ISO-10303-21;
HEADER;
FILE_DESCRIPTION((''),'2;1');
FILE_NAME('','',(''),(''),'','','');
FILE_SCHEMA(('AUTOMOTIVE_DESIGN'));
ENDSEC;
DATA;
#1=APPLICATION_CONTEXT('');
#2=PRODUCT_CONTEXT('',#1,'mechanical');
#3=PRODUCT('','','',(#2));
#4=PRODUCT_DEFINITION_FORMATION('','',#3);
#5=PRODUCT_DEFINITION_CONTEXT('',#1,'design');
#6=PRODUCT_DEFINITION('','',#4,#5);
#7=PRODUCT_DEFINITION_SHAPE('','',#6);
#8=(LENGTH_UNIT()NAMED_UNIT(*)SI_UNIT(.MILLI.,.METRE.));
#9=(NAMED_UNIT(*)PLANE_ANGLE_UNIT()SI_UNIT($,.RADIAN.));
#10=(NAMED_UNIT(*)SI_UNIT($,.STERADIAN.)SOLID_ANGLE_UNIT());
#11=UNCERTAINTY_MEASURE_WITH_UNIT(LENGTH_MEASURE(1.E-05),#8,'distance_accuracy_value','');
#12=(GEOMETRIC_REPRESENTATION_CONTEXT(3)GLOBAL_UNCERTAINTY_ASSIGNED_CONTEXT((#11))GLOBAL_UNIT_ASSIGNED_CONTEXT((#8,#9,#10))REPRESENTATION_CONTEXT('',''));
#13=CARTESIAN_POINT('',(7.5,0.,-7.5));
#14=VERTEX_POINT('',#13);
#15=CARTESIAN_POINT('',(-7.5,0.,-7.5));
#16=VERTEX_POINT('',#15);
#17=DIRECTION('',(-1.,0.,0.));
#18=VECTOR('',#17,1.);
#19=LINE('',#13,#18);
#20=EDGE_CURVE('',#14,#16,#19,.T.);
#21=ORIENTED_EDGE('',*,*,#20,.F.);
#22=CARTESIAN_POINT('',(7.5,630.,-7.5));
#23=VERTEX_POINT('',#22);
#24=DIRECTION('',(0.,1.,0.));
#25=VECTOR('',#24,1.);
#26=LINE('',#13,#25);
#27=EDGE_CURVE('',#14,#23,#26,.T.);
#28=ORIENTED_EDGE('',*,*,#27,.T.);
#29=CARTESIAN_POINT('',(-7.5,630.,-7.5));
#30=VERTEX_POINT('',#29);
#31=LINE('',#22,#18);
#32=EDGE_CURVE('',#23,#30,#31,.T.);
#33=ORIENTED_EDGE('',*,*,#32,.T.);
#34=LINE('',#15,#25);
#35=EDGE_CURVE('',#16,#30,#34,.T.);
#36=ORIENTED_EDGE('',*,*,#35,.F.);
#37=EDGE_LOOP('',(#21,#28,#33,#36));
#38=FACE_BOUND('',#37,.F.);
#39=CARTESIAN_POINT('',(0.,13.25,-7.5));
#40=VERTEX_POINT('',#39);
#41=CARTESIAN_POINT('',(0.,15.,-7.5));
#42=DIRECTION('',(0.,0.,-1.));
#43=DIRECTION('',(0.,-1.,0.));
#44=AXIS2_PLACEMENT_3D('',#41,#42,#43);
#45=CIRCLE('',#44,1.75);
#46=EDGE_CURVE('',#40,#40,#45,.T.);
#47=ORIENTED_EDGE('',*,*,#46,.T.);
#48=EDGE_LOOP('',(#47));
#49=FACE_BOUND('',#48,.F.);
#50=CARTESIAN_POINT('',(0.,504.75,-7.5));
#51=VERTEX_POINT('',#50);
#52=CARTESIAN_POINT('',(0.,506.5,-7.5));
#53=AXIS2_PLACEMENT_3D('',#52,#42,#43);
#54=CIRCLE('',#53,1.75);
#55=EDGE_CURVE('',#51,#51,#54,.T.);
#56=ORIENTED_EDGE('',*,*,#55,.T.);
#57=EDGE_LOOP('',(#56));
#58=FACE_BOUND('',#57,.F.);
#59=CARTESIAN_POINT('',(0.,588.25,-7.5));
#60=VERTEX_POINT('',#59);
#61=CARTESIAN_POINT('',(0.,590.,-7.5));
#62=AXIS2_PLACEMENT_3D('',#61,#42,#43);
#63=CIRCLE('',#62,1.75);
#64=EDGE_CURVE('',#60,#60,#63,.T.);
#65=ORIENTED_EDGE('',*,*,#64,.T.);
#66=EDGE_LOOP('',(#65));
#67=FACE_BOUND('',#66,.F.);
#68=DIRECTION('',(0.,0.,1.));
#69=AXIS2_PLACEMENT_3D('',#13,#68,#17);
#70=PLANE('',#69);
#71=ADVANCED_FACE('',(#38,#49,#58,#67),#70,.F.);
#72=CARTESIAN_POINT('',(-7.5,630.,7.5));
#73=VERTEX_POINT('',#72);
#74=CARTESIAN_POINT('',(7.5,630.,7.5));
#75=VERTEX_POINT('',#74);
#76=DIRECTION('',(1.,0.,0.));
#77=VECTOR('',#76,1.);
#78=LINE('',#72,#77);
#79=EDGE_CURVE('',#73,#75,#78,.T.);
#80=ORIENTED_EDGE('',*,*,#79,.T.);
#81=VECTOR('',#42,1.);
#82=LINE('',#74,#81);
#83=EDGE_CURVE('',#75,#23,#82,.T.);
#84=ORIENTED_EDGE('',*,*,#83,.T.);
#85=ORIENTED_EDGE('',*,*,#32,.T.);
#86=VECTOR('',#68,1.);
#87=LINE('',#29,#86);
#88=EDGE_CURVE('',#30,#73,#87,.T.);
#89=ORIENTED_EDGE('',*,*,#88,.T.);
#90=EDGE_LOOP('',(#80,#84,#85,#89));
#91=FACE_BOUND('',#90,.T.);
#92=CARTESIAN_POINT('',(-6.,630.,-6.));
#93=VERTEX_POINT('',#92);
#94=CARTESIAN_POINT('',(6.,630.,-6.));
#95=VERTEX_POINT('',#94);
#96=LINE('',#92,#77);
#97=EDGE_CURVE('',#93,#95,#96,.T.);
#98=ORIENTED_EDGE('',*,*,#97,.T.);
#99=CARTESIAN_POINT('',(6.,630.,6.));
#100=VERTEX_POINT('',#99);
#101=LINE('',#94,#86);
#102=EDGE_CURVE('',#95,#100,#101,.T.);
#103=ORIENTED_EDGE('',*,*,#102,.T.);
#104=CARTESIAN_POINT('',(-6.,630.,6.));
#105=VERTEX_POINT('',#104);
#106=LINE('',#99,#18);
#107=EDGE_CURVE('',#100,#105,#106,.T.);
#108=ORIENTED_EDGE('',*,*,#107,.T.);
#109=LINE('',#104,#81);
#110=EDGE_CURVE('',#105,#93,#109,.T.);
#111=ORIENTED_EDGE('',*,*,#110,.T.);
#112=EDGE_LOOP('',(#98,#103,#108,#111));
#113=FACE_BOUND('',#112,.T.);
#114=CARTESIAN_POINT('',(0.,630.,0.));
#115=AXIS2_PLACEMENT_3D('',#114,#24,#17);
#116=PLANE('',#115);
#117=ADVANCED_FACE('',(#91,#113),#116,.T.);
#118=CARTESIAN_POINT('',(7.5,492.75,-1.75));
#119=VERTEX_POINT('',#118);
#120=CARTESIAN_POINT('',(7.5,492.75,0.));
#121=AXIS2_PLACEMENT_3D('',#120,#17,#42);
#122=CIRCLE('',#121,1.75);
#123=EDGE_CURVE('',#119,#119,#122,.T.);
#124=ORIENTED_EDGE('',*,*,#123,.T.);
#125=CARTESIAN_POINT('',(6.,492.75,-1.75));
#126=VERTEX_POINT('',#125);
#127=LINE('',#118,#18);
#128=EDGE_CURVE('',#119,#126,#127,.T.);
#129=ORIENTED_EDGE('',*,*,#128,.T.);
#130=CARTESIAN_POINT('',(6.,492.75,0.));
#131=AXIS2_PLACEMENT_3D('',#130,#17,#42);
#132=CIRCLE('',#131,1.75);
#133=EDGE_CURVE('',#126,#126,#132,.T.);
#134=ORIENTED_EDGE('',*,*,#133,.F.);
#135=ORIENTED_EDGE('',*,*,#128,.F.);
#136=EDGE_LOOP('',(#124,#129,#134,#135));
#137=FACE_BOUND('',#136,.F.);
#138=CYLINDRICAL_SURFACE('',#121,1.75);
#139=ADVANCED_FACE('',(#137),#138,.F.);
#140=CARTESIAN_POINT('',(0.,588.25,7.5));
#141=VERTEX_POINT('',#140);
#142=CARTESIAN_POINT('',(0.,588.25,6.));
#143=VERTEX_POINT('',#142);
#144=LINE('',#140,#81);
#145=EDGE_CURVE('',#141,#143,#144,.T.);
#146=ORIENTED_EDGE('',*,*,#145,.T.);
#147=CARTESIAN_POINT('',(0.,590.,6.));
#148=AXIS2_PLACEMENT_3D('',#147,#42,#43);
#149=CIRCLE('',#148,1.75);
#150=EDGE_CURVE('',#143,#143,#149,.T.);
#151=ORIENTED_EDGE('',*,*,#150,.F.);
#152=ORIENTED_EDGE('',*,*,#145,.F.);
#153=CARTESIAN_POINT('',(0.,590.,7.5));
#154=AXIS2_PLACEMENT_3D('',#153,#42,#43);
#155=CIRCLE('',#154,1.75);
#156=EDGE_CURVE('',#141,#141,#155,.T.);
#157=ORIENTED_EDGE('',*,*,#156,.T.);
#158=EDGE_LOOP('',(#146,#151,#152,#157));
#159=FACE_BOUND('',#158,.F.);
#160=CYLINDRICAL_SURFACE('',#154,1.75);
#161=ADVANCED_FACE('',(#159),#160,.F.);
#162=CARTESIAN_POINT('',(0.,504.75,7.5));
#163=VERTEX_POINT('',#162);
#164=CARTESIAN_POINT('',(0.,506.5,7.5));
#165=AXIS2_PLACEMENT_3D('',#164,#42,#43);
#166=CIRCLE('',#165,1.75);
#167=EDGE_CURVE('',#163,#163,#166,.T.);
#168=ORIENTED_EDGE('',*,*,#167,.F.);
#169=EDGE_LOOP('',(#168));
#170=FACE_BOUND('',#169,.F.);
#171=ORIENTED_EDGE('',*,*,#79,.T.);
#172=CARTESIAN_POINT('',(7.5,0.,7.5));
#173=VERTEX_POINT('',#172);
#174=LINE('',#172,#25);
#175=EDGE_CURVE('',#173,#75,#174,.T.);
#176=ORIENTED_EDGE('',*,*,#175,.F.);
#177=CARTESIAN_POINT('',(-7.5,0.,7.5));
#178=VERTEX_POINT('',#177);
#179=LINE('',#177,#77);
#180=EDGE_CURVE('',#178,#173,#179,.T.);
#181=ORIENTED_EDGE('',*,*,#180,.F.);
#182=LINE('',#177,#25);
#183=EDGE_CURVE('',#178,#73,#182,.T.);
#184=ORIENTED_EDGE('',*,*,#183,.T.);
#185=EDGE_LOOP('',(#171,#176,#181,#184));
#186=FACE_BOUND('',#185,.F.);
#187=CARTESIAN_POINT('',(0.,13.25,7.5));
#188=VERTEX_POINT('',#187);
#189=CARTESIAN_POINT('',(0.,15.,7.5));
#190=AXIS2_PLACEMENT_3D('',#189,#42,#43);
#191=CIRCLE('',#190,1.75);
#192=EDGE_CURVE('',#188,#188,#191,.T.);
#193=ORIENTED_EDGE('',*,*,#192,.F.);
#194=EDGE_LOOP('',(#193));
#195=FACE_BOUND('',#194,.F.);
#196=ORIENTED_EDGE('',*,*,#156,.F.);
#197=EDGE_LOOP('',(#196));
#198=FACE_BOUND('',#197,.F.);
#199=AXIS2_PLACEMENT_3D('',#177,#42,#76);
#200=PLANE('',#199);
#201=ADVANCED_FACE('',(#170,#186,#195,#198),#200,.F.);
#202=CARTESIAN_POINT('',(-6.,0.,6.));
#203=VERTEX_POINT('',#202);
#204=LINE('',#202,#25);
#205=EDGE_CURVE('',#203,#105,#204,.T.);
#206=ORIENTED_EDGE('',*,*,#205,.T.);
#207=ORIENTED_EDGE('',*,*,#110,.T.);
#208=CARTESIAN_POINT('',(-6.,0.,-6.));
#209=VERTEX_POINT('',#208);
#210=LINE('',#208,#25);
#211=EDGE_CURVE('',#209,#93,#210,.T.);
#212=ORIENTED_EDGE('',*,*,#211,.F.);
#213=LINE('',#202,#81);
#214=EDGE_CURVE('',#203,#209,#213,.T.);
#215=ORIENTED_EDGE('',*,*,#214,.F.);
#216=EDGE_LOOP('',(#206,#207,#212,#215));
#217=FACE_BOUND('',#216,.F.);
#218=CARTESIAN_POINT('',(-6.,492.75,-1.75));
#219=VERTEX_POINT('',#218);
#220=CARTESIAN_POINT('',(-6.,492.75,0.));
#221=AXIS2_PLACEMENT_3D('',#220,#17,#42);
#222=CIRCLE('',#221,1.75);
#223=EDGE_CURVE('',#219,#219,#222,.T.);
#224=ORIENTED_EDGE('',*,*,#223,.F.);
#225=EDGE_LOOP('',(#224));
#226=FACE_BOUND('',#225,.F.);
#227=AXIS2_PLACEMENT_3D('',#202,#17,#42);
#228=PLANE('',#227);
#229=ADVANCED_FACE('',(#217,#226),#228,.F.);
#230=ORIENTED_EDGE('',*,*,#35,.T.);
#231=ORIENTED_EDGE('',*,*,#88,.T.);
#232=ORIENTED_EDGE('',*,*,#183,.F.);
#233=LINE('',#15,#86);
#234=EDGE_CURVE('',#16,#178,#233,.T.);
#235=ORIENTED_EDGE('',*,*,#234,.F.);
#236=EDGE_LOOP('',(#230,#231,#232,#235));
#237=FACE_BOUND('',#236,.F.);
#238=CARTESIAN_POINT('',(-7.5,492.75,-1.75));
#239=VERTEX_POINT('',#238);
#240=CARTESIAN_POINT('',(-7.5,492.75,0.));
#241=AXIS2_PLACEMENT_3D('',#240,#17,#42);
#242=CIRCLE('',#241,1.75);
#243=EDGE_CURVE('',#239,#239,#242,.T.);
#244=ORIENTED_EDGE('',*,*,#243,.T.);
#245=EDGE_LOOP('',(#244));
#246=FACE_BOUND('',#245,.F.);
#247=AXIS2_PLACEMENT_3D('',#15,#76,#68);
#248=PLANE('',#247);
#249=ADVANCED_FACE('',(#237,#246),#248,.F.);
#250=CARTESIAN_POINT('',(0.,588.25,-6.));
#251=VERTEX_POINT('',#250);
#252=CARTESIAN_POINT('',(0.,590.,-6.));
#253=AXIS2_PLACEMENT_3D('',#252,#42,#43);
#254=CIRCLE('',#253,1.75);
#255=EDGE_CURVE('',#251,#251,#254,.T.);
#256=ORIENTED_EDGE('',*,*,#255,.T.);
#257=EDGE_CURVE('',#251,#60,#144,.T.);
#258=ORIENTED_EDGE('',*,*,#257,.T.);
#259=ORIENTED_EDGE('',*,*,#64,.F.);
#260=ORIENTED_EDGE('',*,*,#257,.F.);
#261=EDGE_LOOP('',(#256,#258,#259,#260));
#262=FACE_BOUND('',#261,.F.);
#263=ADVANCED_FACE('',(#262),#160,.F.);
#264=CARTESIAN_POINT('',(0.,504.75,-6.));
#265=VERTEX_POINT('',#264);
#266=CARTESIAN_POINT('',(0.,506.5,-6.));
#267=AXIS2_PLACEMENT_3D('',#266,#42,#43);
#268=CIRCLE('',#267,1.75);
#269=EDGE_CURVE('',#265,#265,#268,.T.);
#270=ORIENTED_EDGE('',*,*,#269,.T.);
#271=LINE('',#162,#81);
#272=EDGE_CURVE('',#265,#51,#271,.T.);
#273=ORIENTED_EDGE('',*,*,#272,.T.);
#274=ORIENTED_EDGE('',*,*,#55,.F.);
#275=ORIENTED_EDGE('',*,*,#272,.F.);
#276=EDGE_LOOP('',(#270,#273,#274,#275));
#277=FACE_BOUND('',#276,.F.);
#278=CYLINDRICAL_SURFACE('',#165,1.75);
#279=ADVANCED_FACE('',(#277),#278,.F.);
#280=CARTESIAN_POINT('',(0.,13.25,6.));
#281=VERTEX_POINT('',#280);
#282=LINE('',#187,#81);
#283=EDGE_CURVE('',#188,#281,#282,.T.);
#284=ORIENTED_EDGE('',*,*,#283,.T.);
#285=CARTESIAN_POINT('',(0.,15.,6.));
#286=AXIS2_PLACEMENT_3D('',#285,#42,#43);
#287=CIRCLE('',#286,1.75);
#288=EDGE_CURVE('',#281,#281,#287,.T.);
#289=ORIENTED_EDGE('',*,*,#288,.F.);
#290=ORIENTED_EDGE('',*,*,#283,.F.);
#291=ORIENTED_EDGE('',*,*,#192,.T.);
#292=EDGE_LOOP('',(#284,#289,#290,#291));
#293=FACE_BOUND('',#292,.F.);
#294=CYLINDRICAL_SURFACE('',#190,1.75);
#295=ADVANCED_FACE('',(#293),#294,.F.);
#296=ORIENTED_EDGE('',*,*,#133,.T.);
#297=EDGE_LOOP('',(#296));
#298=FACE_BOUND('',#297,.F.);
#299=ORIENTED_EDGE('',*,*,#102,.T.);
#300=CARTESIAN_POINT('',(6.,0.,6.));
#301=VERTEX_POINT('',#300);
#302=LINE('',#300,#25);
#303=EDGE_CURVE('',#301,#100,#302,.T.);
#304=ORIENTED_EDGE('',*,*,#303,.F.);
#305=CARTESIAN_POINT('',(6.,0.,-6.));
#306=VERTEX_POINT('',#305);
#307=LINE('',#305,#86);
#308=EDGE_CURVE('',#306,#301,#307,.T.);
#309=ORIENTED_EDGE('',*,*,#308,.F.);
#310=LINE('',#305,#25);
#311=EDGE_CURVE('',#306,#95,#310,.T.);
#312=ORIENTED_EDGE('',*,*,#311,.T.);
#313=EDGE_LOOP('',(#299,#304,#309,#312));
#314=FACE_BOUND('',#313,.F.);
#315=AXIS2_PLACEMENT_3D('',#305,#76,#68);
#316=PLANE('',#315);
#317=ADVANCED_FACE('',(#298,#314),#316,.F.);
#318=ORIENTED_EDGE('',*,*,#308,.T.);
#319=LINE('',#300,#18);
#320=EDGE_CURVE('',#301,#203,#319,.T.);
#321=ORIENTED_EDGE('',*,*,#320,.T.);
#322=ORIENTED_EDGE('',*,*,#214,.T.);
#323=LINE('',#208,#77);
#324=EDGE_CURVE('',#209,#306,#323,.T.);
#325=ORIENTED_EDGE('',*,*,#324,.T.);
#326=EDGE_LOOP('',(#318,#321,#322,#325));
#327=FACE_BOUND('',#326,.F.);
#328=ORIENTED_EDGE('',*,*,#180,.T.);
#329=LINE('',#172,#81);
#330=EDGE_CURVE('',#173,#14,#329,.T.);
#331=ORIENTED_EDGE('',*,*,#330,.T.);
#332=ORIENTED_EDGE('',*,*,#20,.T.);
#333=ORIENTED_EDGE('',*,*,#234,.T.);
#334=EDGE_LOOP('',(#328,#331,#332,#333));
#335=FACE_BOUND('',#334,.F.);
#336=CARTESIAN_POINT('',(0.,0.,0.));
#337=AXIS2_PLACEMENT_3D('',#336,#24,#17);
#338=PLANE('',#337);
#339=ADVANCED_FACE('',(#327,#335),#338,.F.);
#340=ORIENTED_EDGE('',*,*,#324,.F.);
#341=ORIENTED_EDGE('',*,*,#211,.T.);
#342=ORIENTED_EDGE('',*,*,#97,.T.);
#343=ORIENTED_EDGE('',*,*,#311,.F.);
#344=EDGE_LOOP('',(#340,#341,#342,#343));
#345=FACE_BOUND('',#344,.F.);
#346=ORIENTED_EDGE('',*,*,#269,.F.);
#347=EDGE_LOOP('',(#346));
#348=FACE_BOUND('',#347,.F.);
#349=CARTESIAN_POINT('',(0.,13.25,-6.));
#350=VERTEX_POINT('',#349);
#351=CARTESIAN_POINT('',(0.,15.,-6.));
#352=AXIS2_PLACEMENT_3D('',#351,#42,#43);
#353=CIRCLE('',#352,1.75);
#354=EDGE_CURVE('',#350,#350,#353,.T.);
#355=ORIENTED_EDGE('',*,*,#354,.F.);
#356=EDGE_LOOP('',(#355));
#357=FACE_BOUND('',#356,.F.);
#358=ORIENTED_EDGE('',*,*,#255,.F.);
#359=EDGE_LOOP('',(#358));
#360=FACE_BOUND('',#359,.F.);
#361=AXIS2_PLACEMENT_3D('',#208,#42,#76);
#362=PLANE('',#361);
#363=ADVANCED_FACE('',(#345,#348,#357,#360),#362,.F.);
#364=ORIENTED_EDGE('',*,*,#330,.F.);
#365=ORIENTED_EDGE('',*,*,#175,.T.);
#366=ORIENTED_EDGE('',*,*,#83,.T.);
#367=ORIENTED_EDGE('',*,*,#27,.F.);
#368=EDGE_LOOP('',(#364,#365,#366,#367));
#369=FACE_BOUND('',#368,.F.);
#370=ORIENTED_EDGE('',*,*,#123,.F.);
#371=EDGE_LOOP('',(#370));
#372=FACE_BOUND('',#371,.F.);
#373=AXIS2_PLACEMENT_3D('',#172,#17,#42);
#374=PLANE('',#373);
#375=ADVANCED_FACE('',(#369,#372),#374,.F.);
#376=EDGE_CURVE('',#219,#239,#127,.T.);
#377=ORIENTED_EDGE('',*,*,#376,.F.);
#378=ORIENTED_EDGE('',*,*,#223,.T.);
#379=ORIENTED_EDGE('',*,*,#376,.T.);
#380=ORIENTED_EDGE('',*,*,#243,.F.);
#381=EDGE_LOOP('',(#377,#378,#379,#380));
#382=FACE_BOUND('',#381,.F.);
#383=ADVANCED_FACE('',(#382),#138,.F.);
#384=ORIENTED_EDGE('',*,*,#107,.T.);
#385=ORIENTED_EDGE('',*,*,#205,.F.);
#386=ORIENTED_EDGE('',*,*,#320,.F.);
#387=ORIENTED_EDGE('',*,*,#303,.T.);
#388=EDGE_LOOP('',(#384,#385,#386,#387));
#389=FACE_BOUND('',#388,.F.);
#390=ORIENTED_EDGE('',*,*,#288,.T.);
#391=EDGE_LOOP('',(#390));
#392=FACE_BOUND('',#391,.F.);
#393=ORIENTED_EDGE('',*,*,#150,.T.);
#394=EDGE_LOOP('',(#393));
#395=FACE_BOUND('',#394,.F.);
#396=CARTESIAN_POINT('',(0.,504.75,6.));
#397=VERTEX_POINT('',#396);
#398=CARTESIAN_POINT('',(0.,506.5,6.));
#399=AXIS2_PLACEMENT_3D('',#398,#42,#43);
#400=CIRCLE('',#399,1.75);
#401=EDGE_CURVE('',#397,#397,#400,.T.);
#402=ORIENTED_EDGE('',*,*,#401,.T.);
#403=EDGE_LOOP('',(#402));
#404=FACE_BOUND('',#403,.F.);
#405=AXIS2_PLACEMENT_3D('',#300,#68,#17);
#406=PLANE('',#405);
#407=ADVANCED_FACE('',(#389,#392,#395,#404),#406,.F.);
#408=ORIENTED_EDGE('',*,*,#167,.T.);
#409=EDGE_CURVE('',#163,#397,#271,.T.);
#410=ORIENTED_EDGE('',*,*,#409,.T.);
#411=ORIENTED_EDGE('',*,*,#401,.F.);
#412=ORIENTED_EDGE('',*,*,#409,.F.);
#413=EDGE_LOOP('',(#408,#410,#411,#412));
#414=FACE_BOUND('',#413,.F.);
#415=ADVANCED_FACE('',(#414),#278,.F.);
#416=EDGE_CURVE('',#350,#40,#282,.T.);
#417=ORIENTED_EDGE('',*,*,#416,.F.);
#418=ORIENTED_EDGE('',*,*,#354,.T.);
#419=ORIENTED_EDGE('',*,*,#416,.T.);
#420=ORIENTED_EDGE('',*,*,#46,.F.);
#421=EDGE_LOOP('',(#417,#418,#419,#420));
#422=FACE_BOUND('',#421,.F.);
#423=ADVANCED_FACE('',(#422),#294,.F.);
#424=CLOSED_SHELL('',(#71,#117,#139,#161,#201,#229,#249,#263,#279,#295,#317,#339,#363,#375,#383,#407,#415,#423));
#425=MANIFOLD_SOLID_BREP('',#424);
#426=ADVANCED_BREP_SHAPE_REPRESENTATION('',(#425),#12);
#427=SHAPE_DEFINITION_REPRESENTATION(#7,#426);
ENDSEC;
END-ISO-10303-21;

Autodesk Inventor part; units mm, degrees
ref_plane "YZ Plane" through (0, 0, 0) normal (1, 0, 0) x (0, 1, 0)
ref_plane "XZ Plane" through (0, 0, 0) normal (0, 1, 0) x (-1, 0, 0)
ref_plane "XY Plane" through (0, 0, 0) normal (0, 0, 1) x (1, 0, 0)
sketch "Szkic1" plane through (0, 0, 0) normal (0, 1, 0) x (-1, 0, 0)
  line L0 (-7.5, -7.5) -> (7.5, -7.5)
  line L1 (7.5, -7.5) -> (7.5, 7.5)
  line L2 (7.5, 7.5) -> (-7.5, 7.5)
  line L3 (-7.5, 7.5) -> (-7.5, -7.5)
  line L4 (-7.5, -7.5) -> (7.5, 7.5) construction
  line L5 (7.5, -7.5) -> (-7.5, 7.5) construction
  line L6 (6, -6) -> (-6, -6)
  line L7 (-6, -6) -> (-6, 6)
  line L8 (-6, 6) -> (6, 6)
  line L9 (6, 6) -> (6, -6)
  line L10 (6, -6) -> (-6, 6) construction
  line L11 (-6, -6) -> (6, 6) construction
  point P0 (0, 0)
  dimension "d0" = 15
  dimension "d1" = 15
  dimension "d2" = 12
  dimension "d3" = 12
extrude "Wyciągnięcie proste1" add sketch "Szkic1" along normal blind 630
sketch "Szkic2" plane through (-7.5, 0, 7.5) normal (0, 0, 1) x (1, 0, 0)
  line L0 (7.5, 0) -> (7.5, 15) construction
  dimension "d6" = 15
hole "Otwór1" at (0, 15, 7.5) direction (0, 0, -1) diameter 3.5 end through all
sketch "Szkic3" plane through (7.5, 0, 7.5) normal (1, 0, 0) x (0, 0, -1)
  line L0 (13.5, 630) -> (1.5, 630) construction
  line L1 (7.5, 630) -> (7.5, 492.75) construction
  point P0 (7.5, 0)
  dimension "d14" = 137.25
hole "Otwór2" at (7.5, 492.75, 0) direction (-1, 0, 0) diameter 3.5 end through all
sketch "Szkic4" plane through (-7.5, 0, 7.5) normal (0, 0, 1) x (1, 0, 0)
  line L0 (13.5, 630) -> (1.5, 630) construction
  line L1 (7.5, 630) -> (7.5, 590) construction
  line L2 (7.5, 630) -> (7.5, 506.5) construction
  point P0 (7.5, 0)
  dimension "d22" = 40
  dimension "d32" = 123.5
hole "Otwór3" at (0, 590, 7.5) at (0, 506.5, 7.5) direction (0, 0, -1) diameter 3.5 end through all
properties part number "bepf_glowny_wspornik" material "Aluminium 6061"
